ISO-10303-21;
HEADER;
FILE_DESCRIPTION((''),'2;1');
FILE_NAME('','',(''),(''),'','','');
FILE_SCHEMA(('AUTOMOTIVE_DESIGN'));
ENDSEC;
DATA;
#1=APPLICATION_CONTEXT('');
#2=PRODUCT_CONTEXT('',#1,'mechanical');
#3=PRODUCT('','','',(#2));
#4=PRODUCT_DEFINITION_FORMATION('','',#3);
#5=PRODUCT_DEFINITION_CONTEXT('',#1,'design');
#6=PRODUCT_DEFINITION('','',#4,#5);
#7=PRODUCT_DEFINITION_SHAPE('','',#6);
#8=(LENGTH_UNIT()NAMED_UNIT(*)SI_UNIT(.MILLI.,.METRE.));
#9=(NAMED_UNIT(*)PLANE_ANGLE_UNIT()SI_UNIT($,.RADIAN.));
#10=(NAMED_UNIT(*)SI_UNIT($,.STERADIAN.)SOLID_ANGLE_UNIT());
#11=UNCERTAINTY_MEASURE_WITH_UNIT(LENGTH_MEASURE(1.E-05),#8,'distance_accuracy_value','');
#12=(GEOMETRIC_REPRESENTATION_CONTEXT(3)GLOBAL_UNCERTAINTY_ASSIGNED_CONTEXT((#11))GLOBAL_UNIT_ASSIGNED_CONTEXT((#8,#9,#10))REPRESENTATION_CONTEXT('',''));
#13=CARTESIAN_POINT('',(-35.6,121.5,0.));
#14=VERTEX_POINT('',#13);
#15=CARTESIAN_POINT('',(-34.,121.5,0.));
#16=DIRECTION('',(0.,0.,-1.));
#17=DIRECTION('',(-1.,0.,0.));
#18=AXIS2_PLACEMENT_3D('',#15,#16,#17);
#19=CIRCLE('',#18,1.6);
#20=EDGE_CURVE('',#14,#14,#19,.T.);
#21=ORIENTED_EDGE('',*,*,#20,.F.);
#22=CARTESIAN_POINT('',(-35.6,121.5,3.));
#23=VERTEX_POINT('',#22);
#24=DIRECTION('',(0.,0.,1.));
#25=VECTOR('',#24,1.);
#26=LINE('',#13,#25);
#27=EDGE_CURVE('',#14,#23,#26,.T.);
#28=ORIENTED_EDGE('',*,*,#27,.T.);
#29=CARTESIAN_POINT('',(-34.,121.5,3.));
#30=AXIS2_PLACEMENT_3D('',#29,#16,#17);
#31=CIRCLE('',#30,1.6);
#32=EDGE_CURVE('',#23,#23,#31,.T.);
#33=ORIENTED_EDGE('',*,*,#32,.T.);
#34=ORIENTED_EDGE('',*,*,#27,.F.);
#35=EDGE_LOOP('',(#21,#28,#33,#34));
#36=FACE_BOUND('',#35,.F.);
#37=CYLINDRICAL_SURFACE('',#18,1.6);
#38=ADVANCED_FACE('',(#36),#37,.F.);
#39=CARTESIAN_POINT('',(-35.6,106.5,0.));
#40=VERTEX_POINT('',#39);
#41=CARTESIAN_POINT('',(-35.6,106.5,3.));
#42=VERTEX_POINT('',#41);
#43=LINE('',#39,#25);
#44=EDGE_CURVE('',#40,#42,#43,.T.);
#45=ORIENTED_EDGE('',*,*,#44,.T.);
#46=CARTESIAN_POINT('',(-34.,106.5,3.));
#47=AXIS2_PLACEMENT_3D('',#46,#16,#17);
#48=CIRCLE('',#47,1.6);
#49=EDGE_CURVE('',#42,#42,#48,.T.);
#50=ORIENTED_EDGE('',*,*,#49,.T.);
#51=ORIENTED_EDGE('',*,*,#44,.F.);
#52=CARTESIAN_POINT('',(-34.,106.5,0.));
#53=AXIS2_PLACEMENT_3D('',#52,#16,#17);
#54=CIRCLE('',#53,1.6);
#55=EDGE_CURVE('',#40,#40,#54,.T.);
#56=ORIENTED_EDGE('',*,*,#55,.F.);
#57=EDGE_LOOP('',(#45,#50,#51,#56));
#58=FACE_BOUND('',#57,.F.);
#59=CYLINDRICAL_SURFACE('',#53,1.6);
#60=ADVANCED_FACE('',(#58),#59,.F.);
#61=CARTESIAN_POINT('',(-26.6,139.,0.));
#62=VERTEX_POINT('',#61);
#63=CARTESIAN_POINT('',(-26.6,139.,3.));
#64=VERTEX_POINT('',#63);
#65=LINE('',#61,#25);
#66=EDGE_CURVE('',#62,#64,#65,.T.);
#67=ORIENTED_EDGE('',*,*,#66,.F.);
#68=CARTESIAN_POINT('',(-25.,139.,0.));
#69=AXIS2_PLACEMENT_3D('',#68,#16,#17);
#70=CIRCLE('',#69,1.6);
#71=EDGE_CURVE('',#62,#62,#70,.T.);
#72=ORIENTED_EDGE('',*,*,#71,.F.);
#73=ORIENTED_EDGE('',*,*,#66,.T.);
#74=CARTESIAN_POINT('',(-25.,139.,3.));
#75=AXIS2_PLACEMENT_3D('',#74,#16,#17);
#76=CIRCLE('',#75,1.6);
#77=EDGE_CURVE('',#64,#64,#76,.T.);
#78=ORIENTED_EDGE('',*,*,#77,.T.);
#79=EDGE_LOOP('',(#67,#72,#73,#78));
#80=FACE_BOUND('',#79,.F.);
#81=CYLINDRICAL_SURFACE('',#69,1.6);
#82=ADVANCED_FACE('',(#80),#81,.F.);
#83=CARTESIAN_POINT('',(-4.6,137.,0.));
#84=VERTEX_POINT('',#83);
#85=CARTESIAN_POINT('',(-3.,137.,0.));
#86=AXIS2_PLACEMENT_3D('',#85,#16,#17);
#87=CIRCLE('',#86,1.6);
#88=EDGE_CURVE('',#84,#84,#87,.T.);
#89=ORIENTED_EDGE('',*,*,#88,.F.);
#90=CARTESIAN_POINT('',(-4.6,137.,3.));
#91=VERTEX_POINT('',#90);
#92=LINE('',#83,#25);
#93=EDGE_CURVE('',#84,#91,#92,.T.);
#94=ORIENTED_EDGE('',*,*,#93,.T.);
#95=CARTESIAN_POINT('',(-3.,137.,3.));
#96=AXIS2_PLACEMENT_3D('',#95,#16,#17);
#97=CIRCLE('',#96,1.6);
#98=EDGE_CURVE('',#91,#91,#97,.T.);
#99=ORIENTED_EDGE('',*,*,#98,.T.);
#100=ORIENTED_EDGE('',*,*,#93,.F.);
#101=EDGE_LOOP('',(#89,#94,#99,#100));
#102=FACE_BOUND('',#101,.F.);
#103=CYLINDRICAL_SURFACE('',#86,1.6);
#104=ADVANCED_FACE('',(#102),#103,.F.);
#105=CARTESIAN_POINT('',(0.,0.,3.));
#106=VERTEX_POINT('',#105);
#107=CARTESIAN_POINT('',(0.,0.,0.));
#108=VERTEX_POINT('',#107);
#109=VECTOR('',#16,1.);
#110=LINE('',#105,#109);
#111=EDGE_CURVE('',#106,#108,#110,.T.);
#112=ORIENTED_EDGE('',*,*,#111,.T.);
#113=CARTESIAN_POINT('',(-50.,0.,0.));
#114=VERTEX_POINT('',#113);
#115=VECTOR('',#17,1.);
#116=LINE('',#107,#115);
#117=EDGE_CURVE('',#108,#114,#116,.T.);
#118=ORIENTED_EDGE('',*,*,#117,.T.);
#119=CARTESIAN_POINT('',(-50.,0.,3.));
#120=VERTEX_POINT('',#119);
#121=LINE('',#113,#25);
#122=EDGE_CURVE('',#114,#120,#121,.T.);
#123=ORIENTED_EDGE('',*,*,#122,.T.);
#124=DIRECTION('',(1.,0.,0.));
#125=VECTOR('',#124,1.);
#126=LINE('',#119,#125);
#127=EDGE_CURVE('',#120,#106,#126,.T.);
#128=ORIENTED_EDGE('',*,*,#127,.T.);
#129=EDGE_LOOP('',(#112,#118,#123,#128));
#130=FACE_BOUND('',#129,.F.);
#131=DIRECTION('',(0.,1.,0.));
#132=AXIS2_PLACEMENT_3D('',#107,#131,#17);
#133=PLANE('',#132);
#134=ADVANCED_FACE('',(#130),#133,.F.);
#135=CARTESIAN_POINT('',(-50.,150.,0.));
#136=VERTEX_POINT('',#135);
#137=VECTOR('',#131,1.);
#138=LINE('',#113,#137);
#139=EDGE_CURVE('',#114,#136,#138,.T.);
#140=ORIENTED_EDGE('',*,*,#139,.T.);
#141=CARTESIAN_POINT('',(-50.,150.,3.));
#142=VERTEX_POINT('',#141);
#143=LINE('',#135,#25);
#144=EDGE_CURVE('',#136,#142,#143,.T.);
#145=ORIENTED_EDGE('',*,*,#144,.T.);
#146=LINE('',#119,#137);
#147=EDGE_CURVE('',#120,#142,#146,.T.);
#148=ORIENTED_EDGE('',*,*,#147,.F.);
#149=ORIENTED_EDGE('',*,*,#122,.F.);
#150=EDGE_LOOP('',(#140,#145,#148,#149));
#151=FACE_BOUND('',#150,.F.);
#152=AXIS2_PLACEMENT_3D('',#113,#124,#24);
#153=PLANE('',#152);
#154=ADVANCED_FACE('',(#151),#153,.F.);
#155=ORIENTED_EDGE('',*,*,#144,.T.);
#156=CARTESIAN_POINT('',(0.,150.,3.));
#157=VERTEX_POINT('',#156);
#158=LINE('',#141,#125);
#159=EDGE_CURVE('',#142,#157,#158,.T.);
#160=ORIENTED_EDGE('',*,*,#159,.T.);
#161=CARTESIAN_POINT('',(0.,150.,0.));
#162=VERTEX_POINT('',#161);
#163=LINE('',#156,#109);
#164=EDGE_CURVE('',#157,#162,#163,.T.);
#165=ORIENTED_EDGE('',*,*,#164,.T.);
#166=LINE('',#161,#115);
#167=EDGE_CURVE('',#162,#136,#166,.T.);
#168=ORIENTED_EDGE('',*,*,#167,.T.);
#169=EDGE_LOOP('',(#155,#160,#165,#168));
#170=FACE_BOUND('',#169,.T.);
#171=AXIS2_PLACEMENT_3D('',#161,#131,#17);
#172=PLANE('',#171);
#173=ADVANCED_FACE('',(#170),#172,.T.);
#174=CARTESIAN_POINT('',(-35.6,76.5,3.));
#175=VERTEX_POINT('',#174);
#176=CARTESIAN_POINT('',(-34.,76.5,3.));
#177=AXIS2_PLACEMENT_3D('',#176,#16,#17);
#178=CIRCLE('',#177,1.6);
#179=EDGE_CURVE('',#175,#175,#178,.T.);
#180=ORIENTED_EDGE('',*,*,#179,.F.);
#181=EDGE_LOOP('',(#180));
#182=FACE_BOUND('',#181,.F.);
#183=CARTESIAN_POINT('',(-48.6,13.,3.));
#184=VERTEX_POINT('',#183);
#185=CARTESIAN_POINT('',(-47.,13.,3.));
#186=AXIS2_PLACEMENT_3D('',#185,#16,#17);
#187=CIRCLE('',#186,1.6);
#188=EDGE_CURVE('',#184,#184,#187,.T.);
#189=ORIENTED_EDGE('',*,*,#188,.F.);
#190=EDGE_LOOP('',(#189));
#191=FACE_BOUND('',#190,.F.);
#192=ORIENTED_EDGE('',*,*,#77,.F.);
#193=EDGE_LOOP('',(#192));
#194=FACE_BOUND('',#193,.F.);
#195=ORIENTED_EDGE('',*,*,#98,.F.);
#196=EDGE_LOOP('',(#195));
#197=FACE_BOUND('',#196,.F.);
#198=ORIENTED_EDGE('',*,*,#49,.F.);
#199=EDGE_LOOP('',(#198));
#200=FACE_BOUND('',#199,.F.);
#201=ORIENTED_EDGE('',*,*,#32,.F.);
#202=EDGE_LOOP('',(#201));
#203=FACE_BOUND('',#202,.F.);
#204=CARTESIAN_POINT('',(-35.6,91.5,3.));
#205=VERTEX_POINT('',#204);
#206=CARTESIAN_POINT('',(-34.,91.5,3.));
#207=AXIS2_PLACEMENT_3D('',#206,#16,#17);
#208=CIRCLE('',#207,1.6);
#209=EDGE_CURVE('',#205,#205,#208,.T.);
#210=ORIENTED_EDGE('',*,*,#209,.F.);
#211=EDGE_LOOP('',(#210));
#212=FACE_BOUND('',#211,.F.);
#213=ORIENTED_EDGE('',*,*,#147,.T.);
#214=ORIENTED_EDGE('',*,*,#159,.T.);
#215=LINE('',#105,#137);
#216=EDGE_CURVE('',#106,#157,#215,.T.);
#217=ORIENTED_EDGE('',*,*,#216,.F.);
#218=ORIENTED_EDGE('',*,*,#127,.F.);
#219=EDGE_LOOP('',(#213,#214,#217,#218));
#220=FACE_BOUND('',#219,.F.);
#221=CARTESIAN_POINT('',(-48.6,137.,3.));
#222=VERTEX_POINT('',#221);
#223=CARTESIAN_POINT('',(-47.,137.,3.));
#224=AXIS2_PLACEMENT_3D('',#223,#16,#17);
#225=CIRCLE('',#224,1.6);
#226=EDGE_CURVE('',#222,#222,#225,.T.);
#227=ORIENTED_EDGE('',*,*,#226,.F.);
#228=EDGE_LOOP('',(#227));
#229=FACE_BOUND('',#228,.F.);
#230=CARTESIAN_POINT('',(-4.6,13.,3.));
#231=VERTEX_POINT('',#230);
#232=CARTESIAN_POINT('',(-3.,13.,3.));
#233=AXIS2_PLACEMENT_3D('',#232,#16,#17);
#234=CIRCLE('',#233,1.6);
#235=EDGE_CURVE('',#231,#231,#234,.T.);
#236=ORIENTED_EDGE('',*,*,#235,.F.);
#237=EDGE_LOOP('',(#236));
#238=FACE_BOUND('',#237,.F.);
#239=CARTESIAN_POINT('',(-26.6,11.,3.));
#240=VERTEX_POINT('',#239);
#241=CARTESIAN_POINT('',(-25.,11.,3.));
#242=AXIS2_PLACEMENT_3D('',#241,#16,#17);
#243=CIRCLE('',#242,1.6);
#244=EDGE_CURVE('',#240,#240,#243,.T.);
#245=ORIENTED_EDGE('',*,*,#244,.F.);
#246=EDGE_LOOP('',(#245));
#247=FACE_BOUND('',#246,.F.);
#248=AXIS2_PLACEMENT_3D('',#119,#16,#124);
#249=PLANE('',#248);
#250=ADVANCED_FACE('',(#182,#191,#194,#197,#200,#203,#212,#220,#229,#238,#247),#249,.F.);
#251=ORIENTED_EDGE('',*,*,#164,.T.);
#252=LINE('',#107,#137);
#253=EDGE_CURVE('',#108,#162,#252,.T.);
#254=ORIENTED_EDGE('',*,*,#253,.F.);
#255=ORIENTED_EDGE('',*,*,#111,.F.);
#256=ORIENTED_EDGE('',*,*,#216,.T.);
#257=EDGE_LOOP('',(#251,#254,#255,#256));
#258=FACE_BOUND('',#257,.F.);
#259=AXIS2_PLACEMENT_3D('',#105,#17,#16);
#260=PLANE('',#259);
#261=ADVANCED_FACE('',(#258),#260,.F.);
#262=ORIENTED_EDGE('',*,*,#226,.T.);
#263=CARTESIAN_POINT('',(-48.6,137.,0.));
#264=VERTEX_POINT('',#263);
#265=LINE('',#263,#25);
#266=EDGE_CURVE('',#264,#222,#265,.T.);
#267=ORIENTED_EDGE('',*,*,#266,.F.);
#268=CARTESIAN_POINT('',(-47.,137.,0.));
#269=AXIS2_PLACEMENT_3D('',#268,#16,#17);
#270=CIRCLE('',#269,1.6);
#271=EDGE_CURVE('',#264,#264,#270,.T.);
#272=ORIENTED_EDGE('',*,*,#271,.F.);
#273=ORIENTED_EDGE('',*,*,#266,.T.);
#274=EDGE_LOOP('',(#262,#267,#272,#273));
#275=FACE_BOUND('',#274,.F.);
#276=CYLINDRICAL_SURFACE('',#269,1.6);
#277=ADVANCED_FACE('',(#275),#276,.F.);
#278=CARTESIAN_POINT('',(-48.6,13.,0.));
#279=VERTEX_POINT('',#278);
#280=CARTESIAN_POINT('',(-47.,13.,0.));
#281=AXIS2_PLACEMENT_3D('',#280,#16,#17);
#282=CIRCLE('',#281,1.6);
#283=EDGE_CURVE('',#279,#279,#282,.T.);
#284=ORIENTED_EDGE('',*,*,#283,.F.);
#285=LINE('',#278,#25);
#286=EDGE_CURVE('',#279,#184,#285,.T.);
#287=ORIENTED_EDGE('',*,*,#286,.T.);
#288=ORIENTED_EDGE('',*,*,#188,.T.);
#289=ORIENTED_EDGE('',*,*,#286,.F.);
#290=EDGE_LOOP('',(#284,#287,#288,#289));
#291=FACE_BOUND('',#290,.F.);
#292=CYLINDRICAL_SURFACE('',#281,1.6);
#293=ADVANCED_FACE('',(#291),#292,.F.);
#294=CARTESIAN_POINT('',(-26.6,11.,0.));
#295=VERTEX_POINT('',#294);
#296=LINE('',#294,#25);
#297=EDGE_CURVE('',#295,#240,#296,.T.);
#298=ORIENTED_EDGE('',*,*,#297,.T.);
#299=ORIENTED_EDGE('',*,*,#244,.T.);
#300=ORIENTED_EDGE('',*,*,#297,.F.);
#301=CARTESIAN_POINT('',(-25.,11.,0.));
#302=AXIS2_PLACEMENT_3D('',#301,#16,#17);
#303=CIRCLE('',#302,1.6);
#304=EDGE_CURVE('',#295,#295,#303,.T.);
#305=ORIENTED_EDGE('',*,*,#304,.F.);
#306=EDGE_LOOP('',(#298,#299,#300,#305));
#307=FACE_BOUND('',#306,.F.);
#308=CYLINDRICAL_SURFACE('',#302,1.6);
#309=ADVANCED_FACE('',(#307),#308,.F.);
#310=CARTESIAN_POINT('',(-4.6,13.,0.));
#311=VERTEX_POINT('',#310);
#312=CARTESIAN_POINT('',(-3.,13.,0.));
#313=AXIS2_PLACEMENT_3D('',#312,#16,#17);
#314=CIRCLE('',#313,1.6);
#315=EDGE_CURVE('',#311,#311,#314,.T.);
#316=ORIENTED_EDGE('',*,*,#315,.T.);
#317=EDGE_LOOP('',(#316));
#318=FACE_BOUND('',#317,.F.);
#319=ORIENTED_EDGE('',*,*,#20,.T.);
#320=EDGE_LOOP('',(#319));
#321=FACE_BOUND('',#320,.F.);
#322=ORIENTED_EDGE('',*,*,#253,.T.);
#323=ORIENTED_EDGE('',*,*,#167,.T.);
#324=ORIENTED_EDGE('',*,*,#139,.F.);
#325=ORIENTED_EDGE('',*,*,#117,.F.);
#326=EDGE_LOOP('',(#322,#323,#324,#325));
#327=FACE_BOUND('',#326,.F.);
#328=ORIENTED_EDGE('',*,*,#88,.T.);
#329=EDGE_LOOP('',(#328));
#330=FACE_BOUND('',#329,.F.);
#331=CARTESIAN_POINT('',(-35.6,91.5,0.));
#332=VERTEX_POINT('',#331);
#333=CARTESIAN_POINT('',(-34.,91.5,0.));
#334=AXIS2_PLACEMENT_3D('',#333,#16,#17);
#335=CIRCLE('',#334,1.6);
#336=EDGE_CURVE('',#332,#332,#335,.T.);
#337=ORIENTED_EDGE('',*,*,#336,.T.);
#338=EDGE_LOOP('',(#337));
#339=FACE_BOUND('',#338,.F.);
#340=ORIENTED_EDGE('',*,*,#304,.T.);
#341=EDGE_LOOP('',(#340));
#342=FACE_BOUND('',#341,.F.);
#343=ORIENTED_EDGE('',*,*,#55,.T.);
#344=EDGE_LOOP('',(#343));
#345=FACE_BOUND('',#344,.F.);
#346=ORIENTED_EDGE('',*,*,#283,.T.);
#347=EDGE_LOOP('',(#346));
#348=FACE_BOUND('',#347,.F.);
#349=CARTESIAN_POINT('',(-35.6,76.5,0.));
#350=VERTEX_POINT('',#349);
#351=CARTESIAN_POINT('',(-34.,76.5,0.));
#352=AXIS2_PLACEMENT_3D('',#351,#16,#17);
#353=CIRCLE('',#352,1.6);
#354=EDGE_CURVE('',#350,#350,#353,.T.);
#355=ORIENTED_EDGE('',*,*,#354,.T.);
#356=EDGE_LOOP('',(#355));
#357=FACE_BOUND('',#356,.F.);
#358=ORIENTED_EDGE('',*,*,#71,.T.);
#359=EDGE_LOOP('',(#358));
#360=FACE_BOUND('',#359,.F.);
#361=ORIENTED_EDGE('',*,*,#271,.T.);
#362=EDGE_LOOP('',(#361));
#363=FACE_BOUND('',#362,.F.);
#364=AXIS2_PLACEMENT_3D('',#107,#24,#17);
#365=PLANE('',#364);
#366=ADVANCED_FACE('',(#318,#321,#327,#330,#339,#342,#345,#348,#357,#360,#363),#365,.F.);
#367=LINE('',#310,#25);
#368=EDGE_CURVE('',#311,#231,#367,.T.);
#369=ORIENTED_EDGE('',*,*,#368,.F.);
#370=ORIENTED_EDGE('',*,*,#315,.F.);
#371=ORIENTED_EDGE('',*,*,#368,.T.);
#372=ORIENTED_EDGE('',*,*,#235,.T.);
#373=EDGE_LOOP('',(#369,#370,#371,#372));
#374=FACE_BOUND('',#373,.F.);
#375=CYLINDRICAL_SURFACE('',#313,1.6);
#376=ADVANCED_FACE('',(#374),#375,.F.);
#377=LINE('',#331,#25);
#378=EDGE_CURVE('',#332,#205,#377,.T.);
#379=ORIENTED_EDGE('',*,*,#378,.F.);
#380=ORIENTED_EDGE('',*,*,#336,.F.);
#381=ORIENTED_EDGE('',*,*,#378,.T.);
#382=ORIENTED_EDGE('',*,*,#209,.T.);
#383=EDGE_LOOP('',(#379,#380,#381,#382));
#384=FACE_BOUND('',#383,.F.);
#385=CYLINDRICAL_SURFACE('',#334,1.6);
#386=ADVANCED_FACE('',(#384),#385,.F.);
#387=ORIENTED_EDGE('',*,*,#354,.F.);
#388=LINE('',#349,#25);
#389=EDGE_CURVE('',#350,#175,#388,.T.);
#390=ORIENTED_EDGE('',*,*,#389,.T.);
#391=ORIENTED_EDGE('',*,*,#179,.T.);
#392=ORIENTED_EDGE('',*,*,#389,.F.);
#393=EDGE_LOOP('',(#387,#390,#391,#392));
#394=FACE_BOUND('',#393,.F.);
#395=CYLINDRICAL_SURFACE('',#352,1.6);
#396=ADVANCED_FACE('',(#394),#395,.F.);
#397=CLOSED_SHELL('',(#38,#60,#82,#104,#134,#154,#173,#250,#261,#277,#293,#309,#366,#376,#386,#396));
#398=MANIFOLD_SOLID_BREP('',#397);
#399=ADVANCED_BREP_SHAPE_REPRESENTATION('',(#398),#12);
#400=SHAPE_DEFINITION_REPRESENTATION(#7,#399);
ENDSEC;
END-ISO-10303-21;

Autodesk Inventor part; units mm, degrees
ref_plane "YZ Plane" through (0, 0, 0) normal (1, 0, 0) x (0, 1, 0)
ref_plane "XZ Plane" through (0, 0, 0) normal (0, 1, 0) x (-1, 0, 0)
ref_plane "XY Plane" through (0, 0, 0) normal (0, 0, 1) x (1, 0, 0)
sketch "Sketch1" plane through (0, 0, 0) normal (0, 1, 0) x (-1, 0, 0)
  line L0 (0, 0) -> (50, 0)
  line L1 (50, 0) -> (50, 3)
  line L2 (50, 3) -> (0, 3)
  line L3 (0, 3) -> (0, 0)
  dimension "d0" = 50
  dimension "d1" = 3
extrude "Extrusion1" add sketch "Sketch1" along normal blind 150
sketch "Sketch3" plane through (0, 0, 0) normal (0, 0, -1) x (-1, 0, 0)
  circle A0 centre (3, 13) radius 1.6 projected
  circle A1 centre (25, 11) radius 1.6 projected
  circle A2 centre (47, 13) radius 1.6 projected
  circle A3 centre (3, 137) radius 1.6 projected
  circle A4 centre (25, 139) radius 1.6 projected
  circle A5 centre (47, 137) radius 1.6 projected
  circle A6 centre (34, 91.5) radius 1.6 projected
  circle A7 centre (34, 106.5) radius 1.6
  circle A8 centre (34, 76.5) radius 1.6
  circle A9 centre (34, 121.5) radius 1.6 projected
  dimension "d18" = 3.2
  dimension "d19" = 3.2
  dimension "d21" = 15
extrude "Extrusion3" cut sketch "Sketch3" against normal blind 10
equation "\"d21\" = d20"
equation "\"d20\" = 15"
properties part number "Paint Platforml"
